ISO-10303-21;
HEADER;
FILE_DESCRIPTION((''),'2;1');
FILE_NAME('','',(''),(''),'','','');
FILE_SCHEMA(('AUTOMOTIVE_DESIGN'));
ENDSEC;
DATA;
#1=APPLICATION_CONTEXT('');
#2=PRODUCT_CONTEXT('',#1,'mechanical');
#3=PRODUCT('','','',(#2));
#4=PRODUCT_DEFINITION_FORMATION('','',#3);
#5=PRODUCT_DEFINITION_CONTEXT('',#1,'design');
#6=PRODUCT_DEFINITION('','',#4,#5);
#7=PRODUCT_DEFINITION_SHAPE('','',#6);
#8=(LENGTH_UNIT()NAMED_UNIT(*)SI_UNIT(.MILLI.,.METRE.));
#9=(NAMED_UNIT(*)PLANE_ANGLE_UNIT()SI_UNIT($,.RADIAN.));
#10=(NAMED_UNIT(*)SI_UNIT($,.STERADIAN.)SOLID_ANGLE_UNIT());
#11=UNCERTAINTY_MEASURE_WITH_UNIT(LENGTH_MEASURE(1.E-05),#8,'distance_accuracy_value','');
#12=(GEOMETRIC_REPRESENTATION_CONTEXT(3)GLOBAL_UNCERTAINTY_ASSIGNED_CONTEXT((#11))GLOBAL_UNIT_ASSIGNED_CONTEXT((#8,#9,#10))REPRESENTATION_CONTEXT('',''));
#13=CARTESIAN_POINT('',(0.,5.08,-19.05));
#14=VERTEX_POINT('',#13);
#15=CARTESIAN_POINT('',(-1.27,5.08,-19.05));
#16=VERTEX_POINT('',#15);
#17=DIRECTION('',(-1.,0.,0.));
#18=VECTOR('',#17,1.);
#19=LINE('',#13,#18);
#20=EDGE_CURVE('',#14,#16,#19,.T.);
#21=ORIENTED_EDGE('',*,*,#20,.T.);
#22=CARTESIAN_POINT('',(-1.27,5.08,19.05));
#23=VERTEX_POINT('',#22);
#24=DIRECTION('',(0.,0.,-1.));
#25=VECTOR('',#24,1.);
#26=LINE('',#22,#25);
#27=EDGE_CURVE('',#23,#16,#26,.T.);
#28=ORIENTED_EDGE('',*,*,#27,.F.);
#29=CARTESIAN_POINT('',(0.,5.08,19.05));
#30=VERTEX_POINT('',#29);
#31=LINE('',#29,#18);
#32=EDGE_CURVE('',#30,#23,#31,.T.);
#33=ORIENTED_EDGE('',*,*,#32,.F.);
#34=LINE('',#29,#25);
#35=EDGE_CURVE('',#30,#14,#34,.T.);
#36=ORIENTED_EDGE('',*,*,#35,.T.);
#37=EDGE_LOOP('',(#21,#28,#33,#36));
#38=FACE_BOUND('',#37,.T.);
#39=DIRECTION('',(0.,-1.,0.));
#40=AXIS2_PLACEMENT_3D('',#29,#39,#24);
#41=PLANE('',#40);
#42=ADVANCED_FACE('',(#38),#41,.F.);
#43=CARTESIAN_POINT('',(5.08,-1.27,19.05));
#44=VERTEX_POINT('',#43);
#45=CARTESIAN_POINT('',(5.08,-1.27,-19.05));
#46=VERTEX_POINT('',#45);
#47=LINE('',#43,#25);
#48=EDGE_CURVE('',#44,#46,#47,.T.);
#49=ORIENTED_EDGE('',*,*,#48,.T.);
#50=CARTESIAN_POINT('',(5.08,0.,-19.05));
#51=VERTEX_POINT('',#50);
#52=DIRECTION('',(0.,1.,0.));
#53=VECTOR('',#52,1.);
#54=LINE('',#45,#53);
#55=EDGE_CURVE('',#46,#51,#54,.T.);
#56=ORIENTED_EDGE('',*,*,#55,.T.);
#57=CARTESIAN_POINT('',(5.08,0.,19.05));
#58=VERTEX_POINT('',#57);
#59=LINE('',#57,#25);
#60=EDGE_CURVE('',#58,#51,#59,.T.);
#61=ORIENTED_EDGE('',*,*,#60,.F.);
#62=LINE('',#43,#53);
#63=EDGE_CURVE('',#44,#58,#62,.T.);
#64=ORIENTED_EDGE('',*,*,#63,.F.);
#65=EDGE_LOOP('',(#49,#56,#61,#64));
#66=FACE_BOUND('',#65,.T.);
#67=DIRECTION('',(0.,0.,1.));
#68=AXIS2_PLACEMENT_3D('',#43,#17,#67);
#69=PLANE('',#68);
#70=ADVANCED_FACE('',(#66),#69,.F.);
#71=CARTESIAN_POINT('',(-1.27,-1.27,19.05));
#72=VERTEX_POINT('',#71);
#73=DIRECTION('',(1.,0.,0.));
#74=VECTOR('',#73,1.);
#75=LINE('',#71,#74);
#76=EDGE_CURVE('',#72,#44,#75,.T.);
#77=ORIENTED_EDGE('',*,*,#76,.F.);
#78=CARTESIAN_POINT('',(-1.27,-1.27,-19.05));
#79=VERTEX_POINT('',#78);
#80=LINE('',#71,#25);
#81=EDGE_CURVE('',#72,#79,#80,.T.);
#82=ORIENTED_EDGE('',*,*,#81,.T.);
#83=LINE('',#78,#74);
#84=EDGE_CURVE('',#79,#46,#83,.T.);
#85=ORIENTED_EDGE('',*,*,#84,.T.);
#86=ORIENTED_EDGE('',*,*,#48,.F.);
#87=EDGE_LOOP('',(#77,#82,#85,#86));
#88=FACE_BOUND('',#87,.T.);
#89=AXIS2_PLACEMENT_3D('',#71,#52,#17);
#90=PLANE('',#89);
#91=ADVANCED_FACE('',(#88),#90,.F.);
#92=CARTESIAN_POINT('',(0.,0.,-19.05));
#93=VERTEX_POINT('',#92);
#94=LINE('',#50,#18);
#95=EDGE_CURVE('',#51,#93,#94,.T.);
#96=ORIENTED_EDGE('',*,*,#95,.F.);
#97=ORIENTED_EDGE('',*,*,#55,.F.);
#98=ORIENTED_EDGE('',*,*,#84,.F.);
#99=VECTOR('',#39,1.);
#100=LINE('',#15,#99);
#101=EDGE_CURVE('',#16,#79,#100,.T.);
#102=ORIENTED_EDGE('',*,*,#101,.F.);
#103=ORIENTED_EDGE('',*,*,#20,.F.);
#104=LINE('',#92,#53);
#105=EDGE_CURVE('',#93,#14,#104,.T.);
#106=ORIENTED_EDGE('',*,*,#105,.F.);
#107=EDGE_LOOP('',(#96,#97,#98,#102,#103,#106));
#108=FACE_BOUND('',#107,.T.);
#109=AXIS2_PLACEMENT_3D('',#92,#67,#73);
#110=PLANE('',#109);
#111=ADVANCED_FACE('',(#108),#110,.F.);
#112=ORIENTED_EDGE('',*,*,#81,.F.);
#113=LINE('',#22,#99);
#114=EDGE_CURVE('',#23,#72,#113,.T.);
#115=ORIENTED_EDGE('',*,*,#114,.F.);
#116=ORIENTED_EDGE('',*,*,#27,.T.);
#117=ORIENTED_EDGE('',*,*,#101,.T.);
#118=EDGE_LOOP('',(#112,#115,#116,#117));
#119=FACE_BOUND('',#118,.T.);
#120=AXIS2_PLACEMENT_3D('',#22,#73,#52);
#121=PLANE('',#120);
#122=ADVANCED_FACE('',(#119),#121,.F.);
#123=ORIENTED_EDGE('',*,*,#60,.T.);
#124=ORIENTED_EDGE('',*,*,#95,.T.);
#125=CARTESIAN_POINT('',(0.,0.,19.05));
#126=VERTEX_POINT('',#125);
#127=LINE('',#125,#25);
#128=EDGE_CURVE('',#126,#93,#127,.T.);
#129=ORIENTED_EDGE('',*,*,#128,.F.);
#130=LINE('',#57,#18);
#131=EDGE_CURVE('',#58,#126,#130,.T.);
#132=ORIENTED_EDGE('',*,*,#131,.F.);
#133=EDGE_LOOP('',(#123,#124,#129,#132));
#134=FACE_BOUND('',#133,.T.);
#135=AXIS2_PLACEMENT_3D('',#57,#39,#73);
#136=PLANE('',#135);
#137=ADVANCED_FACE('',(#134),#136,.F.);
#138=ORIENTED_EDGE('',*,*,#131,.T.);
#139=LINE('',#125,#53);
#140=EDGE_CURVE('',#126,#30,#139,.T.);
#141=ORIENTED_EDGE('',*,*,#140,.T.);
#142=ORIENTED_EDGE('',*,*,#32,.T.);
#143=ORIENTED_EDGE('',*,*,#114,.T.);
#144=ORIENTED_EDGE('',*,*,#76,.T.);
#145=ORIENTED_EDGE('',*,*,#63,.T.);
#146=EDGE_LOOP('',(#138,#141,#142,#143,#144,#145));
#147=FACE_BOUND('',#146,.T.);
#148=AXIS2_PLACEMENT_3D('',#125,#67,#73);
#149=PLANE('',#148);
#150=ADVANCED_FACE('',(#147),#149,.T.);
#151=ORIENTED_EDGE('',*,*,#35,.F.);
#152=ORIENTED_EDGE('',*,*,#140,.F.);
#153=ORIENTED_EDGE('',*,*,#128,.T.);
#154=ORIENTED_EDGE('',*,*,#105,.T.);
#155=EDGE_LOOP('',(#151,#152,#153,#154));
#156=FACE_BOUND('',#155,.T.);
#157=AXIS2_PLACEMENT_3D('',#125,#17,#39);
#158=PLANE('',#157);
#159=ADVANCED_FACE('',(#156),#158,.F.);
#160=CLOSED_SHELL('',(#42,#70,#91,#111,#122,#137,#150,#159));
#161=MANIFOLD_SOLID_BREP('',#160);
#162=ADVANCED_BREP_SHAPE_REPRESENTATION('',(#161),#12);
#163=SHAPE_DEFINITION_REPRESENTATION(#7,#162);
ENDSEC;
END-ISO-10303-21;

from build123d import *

# Parameters (mm, degrees)
BOSS_EXTRUDE1_DEPTH = 19.05


with BuildPart() as part:
    # Sketch1 → Boss-Extrude1 (new body, symmetric)
    with BuildSketch(Plane.XY):
        Polygon((-1.27, 5.08), (-1.27, -1.27), (5.08, -1.27), (5.08, 0), (0, 0), (0, 5.08), align=None)
    extrude(amount=BOSS_EXTRUDE1_DEPTH, both=True)


solid = part.part
